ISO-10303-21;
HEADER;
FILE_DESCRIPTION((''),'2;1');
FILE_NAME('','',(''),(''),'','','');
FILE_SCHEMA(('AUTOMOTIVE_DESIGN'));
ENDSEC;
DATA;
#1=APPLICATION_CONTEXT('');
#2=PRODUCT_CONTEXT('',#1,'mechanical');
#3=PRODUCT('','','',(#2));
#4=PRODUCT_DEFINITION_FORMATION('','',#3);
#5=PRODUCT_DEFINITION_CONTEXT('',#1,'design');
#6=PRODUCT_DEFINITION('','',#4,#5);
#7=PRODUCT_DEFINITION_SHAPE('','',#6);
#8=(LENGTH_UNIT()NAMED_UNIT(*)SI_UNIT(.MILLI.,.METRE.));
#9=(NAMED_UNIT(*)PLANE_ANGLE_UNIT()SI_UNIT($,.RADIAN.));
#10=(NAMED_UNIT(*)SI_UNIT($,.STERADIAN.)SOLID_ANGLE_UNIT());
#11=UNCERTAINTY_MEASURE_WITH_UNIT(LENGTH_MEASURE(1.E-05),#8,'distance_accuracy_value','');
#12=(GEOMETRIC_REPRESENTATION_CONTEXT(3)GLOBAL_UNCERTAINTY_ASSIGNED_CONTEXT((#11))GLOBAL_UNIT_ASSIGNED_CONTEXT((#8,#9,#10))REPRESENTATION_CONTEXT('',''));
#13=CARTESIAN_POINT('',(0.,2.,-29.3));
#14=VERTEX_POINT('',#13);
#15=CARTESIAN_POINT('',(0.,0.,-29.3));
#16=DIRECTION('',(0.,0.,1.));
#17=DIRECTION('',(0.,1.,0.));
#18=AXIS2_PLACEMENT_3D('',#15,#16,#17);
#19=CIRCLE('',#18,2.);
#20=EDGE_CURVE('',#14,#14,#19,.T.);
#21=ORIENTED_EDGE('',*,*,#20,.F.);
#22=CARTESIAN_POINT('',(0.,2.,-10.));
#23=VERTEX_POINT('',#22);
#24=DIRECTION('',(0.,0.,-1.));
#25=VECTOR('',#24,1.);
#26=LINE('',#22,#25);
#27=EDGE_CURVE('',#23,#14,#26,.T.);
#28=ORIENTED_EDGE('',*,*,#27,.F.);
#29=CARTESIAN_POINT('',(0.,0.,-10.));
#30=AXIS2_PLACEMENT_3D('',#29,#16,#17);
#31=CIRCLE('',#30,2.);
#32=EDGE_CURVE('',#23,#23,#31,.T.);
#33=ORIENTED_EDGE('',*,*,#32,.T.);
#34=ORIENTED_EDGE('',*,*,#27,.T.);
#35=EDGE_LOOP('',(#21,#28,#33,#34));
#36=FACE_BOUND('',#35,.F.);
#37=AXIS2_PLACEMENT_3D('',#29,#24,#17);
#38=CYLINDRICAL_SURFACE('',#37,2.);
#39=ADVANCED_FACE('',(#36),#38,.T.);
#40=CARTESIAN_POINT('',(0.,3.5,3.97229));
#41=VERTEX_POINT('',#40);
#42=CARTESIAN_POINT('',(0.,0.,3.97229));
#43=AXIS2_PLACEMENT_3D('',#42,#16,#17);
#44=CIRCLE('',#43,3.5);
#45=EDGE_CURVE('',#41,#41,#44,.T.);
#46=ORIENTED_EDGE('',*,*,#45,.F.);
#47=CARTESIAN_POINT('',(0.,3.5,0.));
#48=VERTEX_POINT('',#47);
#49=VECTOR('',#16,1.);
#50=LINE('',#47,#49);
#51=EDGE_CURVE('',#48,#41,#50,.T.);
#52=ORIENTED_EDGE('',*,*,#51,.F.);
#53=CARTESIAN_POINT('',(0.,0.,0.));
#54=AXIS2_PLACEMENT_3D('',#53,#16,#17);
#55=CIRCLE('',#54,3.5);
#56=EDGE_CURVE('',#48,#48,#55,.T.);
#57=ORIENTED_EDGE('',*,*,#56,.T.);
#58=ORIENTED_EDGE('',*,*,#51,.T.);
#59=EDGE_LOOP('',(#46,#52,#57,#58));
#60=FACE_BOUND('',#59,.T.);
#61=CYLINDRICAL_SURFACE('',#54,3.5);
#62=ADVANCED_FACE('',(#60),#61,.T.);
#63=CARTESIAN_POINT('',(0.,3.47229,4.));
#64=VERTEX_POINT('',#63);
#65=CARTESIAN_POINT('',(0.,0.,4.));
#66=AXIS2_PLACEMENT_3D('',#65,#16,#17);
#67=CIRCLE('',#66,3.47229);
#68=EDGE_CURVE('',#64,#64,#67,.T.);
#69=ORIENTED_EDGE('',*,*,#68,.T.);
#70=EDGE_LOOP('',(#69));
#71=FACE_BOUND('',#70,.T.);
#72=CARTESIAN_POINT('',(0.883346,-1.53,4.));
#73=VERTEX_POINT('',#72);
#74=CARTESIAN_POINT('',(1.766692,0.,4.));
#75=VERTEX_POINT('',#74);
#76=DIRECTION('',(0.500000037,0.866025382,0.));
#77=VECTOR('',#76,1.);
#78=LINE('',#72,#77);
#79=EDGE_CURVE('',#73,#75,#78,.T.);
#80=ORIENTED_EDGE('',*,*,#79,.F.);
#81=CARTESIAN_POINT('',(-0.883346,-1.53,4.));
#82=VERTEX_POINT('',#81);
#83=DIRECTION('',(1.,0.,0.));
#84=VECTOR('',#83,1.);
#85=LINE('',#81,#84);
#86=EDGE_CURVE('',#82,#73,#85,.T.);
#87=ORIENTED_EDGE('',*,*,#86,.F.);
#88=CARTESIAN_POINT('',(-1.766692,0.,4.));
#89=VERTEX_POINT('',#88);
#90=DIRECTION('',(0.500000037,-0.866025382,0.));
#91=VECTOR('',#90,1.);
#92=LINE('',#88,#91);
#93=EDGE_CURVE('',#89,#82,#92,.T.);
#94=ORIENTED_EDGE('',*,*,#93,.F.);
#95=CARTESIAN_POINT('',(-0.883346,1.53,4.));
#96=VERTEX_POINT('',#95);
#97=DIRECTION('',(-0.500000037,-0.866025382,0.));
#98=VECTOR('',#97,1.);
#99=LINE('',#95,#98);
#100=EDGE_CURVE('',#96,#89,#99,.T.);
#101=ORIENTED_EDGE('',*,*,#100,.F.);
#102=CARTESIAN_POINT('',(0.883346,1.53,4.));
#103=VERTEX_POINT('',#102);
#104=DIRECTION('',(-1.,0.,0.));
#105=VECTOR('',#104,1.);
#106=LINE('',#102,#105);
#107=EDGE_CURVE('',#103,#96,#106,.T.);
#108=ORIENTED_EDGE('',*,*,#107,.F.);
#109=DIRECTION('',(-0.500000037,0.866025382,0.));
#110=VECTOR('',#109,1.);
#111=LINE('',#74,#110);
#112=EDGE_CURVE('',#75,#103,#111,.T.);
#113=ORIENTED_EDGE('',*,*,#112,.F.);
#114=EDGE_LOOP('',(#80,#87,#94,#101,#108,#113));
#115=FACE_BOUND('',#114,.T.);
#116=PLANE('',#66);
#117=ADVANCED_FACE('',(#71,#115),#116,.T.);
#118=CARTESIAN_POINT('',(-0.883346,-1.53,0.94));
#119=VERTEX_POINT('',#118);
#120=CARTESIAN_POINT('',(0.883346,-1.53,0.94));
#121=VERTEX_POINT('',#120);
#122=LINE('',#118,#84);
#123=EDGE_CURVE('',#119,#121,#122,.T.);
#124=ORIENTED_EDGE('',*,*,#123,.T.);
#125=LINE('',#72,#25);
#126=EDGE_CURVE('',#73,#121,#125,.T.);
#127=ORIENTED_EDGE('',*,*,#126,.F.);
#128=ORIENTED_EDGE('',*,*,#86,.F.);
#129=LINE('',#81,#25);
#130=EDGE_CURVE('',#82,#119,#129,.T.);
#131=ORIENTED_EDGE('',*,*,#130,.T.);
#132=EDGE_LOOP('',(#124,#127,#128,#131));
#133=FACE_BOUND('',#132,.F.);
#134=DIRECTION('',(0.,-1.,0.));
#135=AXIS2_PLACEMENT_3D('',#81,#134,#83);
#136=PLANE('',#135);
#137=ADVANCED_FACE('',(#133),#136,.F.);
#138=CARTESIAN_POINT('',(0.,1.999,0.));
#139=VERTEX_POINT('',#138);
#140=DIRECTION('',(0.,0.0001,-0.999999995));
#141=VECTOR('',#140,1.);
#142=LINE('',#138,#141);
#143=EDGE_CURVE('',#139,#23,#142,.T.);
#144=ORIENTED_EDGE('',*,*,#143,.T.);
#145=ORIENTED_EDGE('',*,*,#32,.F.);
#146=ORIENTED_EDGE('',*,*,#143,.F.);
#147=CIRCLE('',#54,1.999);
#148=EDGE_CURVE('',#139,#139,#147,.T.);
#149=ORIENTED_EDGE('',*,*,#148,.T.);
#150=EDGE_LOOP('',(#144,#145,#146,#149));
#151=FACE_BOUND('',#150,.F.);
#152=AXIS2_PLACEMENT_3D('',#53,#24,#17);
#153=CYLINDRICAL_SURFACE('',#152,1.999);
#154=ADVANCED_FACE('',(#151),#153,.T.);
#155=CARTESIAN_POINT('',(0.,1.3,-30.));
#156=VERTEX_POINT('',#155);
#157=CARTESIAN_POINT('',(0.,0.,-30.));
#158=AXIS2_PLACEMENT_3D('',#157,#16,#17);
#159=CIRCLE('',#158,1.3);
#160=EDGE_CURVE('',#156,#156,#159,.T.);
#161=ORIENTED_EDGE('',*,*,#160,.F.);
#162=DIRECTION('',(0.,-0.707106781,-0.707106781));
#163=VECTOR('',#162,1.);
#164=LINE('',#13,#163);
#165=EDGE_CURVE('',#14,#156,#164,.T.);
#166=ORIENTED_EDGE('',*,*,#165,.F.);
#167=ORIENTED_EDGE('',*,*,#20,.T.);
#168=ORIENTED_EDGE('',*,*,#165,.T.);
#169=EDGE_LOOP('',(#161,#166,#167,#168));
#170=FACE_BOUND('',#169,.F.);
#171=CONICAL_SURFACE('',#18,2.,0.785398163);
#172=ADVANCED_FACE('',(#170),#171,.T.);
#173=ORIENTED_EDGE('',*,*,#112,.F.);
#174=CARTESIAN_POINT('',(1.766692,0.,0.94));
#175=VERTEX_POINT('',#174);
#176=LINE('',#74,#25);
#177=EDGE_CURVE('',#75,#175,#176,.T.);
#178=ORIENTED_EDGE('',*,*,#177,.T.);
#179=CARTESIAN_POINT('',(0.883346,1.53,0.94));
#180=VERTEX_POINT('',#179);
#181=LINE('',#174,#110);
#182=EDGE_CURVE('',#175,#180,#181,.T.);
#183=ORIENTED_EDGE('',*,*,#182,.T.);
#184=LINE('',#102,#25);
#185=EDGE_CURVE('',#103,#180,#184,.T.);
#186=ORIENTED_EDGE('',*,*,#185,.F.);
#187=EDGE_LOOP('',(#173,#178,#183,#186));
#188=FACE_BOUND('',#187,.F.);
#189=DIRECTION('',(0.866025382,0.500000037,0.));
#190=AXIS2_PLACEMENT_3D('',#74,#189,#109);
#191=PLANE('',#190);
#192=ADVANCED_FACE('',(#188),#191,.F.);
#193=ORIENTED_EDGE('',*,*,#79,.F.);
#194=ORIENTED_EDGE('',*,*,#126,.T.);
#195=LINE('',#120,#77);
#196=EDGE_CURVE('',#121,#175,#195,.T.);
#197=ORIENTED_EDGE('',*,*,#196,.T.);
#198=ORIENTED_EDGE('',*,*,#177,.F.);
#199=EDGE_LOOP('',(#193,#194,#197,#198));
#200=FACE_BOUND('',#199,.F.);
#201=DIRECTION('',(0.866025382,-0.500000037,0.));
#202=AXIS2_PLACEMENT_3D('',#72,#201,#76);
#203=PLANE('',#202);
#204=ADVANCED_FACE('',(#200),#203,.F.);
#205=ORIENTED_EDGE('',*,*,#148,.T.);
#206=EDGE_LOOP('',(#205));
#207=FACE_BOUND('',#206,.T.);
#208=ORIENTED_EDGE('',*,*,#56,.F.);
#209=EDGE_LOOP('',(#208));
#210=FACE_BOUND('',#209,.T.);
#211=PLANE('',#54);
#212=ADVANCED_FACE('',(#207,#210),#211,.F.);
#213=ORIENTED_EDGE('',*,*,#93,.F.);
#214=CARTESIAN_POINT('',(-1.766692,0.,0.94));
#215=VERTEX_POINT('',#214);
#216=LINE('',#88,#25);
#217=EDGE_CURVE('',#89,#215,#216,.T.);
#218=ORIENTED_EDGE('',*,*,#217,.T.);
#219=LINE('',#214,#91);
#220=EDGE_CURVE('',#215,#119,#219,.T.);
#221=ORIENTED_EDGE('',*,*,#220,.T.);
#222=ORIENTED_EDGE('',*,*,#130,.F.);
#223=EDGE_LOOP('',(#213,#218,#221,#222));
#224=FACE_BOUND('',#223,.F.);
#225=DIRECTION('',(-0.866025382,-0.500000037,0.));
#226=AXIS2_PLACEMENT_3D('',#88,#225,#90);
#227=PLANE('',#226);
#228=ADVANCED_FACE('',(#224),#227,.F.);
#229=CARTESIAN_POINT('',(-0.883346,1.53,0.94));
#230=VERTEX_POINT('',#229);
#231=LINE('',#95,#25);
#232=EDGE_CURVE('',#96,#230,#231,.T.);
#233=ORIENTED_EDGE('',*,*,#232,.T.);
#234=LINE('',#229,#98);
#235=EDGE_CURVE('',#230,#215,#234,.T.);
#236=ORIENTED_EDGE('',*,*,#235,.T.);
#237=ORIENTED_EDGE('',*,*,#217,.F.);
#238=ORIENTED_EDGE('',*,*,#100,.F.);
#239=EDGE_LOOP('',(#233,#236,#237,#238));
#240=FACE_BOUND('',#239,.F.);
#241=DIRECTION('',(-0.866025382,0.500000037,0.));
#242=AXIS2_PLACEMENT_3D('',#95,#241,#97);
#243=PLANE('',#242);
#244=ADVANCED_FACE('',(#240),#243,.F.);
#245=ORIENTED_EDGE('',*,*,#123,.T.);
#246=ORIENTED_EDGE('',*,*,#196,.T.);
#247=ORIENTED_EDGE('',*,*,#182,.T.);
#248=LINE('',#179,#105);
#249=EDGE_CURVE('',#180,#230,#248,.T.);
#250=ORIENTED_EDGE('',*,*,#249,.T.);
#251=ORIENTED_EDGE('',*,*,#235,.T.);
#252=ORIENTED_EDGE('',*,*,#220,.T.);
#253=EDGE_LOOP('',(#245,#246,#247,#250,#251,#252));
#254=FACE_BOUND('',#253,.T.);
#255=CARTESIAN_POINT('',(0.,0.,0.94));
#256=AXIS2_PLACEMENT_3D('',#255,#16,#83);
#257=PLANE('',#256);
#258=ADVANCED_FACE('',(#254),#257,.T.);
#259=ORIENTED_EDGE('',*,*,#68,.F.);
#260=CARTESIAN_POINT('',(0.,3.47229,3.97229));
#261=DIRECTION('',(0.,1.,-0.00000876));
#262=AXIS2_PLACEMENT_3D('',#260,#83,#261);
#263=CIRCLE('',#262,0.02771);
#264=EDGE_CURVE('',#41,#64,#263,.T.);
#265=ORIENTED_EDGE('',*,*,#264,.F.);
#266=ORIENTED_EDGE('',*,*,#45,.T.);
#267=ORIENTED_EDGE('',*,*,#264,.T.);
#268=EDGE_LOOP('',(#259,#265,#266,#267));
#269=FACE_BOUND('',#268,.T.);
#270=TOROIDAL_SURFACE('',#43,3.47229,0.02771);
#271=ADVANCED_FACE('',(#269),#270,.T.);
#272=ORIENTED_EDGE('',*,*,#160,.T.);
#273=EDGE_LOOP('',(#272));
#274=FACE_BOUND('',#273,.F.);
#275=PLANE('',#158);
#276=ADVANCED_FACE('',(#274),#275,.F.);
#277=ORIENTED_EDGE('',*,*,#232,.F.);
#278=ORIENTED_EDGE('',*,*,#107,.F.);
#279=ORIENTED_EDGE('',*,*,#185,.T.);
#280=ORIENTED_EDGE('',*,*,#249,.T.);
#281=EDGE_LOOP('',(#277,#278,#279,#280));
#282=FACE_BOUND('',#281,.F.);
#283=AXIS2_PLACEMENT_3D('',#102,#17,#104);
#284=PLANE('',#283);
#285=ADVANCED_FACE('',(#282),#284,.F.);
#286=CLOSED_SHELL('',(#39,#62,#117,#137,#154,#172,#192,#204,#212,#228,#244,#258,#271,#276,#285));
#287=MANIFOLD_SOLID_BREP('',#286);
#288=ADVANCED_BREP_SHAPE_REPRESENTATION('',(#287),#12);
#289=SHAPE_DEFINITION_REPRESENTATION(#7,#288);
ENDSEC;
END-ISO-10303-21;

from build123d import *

# Parameters (mm, degrees)
POCKET_DEPTH = 3.06


with BuildPart() as part:
    # Sketch → Revolve (revolve)
    with BuildSketch(Plane.YZ):
        with BuildLine():
            Line((1.999, 0), (3.5, 0))
            Line((3.5, 0), (3.5, 3.97229))
            ThreePointArc((3.5, 3.97229), (3.491884, 3.991884), (3.47229, 4))
            Line((3.47229, 4), (0, 4))
            Line((0, -30), (0, 4))
            Line((1.3, -30), (0, -30))
            Line((2, -29.3), (1.3, -30))
            Line((2, -10), (2, -29.3))
            Line((1.999, 0), (2, -10))
        make_face()
    revolve(axis=Axis((0, 0, 0), (0, 0, 1)))

    # Sketch001 → Pocket (cut)
    with BuildSketch(Plane.XY.offset(4)):
        Polygon((1.766692, 0), (0.883346, 1.53), (-0.883346, 1.53), (-1.766692, 0), (-0.883346, -1.53), (0.883346, -1.53), align=None)
    extrude(amount=-POCKET_DEPTH, mode=Mode.SUBTRACT)


solid = part.part
